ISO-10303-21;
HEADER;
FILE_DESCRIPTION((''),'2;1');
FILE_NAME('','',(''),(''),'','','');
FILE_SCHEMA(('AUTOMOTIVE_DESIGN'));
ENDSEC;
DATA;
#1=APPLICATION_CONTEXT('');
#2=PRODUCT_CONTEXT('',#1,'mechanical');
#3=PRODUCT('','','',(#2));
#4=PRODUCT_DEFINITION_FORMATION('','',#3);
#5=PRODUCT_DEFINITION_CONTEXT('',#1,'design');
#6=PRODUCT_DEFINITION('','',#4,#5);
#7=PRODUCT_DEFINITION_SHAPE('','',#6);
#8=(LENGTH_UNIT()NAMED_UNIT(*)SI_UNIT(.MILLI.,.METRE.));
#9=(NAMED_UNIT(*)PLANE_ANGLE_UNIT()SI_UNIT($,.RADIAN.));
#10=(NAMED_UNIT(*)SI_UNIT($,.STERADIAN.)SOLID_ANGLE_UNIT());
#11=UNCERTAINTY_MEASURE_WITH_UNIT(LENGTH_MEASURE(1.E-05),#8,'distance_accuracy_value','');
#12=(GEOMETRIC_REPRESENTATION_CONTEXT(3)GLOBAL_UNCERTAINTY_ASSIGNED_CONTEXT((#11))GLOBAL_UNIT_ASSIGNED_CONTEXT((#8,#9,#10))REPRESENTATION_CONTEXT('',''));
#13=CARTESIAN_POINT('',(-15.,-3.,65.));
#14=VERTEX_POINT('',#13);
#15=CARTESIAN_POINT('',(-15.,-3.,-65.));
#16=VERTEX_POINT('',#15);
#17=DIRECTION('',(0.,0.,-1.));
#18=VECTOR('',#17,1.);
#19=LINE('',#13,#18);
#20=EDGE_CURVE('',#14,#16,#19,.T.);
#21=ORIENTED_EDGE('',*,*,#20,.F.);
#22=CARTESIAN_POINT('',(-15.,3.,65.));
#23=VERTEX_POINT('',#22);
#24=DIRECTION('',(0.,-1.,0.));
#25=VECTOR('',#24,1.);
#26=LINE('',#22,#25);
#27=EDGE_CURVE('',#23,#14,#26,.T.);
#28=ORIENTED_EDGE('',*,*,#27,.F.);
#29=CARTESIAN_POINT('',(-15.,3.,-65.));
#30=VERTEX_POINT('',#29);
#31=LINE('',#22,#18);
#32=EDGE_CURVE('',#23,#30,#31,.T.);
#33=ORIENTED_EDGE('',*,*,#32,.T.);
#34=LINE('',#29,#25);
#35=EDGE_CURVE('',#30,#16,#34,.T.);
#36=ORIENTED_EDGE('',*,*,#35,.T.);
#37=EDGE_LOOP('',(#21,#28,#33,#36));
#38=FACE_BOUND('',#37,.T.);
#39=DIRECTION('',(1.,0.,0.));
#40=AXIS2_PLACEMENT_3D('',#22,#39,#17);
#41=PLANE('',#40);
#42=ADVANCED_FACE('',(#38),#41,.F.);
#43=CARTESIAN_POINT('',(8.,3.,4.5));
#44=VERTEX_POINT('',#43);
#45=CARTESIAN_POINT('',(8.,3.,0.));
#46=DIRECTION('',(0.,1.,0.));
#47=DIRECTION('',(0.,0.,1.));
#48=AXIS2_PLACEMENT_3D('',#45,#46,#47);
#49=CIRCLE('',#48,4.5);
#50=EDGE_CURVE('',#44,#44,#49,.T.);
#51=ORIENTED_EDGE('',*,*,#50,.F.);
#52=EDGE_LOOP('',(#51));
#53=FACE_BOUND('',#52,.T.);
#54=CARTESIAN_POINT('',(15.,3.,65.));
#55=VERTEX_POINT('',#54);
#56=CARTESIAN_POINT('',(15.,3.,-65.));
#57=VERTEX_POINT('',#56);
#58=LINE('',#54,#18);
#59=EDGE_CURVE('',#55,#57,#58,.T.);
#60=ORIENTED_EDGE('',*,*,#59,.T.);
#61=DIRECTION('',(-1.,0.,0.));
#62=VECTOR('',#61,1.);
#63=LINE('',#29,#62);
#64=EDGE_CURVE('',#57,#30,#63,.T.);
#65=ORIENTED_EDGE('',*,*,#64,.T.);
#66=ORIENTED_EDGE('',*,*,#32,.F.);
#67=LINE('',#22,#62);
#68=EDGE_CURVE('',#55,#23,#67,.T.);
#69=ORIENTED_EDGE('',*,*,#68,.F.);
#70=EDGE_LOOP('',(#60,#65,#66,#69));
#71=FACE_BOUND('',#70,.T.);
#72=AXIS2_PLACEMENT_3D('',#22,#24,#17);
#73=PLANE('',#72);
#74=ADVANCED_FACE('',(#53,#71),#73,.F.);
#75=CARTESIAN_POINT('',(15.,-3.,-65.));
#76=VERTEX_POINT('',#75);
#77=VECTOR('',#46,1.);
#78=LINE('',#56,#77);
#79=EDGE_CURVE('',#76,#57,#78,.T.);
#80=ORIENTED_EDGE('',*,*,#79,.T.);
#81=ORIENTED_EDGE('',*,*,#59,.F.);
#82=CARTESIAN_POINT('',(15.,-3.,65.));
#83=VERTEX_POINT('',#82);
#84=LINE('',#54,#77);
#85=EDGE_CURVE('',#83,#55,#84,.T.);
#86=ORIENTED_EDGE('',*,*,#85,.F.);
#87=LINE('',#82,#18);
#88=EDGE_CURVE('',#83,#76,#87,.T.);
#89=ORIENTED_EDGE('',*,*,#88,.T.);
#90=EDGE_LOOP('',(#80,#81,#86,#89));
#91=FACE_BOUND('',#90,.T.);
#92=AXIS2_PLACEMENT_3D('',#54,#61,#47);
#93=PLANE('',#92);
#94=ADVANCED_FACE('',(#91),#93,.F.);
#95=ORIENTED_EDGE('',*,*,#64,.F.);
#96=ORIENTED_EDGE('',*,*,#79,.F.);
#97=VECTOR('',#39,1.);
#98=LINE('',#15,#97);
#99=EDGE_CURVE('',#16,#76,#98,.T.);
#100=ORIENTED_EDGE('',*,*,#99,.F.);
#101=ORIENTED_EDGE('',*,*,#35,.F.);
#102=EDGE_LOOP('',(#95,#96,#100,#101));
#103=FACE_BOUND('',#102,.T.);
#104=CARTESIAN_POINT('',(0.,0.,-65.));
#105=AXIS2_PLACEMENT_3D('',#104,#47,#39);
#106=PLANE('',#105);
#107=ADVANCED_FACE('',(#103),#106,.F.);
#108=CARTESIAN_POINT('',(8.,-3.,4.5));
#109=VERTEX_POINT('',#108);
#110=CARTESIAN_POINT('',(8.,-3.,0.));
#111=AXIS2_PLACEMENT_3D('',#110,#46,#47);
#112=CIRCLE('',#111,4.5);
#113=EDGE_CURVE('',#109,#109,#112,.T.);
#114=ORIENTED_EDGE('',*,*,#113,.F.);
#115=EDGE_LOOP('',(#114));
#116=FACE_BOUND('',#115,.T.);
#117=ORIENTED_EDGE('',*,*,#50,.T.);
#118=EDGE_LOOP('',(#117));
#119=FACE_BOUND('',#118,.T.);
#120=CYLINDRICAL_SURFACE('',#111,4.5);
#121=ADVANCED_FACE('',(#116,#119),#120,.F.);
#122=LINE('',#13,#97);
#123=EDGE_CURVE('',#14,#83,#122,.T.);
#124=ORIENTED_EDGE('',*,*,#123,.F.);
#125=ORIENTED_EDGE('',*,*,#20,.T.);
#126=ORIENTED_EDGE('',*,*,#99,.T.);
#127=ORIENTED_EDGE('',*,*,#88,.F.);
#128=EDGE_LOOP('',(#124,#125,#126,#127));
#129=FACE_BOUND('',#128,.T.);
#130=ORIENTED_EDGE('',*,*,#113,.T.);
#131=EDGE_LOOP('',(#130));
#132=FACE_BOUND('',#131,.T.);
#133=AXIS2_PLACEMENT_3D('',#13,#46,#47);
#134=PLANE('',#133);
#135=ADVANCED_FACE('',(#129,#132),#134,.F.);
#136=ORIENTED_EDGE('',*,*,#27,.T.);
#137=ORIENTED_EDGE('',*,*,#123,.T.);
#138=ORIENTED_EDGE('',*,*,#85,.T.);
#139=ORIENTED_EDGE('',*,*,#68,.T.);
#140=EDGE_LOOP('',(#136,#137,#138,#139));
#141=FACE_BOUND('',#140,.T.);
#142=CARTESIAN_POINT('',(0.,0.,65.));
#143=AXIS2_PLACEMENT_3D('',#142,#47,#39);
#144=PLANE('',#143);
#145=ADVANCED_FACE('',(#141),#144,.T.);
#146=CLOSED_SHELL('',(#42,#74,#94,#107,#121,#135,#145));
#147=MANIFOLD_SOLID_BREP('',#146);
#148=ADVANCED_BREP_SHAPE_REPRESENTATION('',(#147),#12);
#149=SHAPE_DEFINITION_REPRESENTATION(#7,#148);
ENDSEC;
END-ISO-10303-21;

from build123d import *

# Parameters (mm, degrees)
SKIZZE1_W                       = 30
SKIZZE1_H                       = 6
AUFSATZ_LINEAR_AUSTRAGEN1_DEPTH = 65
CUT_EXTRUDE1_DEPTH              = 67.775744099
CUT_EXTRUDE1_DEPTH_BACK         = 67.775744099
SKETCH1_R                       = 4.5


with BuildPart() as part:
    # Skizze1 → Aufsatz-Linear austragen1 (new, symmetric)
    with BuildSketch(Plane.XY):
        Rectangle(SKIZZE1_W, SKIZZE1_H)
    extrude(amount=AUFSATZ_LINEAR_AUSTRAGEN1_DEPTH, both=True)

    # Sketch1 → Cut-Extrude1 (cut, two sides: drawn at the far end of the back side and taken through both)
    with BuildSketch(Plane(origin=(0, 0, 0), x_dir=(1, 0, 0), z_dir=(0, 1, 0)).offset(-CUT_EXTRUDE1_DEPTH_BACK)):
        with Locations(Location((8, 0, 0), (0, 0, 270))):
            Circle(SKETCH1_R)
    extrude(amount=CUT_EXTRUDE1_DEPTH + CUT_EXTRUDE1_DEPTH_BACK, mode=Mode.SUBTRACT)


solid = part.part
